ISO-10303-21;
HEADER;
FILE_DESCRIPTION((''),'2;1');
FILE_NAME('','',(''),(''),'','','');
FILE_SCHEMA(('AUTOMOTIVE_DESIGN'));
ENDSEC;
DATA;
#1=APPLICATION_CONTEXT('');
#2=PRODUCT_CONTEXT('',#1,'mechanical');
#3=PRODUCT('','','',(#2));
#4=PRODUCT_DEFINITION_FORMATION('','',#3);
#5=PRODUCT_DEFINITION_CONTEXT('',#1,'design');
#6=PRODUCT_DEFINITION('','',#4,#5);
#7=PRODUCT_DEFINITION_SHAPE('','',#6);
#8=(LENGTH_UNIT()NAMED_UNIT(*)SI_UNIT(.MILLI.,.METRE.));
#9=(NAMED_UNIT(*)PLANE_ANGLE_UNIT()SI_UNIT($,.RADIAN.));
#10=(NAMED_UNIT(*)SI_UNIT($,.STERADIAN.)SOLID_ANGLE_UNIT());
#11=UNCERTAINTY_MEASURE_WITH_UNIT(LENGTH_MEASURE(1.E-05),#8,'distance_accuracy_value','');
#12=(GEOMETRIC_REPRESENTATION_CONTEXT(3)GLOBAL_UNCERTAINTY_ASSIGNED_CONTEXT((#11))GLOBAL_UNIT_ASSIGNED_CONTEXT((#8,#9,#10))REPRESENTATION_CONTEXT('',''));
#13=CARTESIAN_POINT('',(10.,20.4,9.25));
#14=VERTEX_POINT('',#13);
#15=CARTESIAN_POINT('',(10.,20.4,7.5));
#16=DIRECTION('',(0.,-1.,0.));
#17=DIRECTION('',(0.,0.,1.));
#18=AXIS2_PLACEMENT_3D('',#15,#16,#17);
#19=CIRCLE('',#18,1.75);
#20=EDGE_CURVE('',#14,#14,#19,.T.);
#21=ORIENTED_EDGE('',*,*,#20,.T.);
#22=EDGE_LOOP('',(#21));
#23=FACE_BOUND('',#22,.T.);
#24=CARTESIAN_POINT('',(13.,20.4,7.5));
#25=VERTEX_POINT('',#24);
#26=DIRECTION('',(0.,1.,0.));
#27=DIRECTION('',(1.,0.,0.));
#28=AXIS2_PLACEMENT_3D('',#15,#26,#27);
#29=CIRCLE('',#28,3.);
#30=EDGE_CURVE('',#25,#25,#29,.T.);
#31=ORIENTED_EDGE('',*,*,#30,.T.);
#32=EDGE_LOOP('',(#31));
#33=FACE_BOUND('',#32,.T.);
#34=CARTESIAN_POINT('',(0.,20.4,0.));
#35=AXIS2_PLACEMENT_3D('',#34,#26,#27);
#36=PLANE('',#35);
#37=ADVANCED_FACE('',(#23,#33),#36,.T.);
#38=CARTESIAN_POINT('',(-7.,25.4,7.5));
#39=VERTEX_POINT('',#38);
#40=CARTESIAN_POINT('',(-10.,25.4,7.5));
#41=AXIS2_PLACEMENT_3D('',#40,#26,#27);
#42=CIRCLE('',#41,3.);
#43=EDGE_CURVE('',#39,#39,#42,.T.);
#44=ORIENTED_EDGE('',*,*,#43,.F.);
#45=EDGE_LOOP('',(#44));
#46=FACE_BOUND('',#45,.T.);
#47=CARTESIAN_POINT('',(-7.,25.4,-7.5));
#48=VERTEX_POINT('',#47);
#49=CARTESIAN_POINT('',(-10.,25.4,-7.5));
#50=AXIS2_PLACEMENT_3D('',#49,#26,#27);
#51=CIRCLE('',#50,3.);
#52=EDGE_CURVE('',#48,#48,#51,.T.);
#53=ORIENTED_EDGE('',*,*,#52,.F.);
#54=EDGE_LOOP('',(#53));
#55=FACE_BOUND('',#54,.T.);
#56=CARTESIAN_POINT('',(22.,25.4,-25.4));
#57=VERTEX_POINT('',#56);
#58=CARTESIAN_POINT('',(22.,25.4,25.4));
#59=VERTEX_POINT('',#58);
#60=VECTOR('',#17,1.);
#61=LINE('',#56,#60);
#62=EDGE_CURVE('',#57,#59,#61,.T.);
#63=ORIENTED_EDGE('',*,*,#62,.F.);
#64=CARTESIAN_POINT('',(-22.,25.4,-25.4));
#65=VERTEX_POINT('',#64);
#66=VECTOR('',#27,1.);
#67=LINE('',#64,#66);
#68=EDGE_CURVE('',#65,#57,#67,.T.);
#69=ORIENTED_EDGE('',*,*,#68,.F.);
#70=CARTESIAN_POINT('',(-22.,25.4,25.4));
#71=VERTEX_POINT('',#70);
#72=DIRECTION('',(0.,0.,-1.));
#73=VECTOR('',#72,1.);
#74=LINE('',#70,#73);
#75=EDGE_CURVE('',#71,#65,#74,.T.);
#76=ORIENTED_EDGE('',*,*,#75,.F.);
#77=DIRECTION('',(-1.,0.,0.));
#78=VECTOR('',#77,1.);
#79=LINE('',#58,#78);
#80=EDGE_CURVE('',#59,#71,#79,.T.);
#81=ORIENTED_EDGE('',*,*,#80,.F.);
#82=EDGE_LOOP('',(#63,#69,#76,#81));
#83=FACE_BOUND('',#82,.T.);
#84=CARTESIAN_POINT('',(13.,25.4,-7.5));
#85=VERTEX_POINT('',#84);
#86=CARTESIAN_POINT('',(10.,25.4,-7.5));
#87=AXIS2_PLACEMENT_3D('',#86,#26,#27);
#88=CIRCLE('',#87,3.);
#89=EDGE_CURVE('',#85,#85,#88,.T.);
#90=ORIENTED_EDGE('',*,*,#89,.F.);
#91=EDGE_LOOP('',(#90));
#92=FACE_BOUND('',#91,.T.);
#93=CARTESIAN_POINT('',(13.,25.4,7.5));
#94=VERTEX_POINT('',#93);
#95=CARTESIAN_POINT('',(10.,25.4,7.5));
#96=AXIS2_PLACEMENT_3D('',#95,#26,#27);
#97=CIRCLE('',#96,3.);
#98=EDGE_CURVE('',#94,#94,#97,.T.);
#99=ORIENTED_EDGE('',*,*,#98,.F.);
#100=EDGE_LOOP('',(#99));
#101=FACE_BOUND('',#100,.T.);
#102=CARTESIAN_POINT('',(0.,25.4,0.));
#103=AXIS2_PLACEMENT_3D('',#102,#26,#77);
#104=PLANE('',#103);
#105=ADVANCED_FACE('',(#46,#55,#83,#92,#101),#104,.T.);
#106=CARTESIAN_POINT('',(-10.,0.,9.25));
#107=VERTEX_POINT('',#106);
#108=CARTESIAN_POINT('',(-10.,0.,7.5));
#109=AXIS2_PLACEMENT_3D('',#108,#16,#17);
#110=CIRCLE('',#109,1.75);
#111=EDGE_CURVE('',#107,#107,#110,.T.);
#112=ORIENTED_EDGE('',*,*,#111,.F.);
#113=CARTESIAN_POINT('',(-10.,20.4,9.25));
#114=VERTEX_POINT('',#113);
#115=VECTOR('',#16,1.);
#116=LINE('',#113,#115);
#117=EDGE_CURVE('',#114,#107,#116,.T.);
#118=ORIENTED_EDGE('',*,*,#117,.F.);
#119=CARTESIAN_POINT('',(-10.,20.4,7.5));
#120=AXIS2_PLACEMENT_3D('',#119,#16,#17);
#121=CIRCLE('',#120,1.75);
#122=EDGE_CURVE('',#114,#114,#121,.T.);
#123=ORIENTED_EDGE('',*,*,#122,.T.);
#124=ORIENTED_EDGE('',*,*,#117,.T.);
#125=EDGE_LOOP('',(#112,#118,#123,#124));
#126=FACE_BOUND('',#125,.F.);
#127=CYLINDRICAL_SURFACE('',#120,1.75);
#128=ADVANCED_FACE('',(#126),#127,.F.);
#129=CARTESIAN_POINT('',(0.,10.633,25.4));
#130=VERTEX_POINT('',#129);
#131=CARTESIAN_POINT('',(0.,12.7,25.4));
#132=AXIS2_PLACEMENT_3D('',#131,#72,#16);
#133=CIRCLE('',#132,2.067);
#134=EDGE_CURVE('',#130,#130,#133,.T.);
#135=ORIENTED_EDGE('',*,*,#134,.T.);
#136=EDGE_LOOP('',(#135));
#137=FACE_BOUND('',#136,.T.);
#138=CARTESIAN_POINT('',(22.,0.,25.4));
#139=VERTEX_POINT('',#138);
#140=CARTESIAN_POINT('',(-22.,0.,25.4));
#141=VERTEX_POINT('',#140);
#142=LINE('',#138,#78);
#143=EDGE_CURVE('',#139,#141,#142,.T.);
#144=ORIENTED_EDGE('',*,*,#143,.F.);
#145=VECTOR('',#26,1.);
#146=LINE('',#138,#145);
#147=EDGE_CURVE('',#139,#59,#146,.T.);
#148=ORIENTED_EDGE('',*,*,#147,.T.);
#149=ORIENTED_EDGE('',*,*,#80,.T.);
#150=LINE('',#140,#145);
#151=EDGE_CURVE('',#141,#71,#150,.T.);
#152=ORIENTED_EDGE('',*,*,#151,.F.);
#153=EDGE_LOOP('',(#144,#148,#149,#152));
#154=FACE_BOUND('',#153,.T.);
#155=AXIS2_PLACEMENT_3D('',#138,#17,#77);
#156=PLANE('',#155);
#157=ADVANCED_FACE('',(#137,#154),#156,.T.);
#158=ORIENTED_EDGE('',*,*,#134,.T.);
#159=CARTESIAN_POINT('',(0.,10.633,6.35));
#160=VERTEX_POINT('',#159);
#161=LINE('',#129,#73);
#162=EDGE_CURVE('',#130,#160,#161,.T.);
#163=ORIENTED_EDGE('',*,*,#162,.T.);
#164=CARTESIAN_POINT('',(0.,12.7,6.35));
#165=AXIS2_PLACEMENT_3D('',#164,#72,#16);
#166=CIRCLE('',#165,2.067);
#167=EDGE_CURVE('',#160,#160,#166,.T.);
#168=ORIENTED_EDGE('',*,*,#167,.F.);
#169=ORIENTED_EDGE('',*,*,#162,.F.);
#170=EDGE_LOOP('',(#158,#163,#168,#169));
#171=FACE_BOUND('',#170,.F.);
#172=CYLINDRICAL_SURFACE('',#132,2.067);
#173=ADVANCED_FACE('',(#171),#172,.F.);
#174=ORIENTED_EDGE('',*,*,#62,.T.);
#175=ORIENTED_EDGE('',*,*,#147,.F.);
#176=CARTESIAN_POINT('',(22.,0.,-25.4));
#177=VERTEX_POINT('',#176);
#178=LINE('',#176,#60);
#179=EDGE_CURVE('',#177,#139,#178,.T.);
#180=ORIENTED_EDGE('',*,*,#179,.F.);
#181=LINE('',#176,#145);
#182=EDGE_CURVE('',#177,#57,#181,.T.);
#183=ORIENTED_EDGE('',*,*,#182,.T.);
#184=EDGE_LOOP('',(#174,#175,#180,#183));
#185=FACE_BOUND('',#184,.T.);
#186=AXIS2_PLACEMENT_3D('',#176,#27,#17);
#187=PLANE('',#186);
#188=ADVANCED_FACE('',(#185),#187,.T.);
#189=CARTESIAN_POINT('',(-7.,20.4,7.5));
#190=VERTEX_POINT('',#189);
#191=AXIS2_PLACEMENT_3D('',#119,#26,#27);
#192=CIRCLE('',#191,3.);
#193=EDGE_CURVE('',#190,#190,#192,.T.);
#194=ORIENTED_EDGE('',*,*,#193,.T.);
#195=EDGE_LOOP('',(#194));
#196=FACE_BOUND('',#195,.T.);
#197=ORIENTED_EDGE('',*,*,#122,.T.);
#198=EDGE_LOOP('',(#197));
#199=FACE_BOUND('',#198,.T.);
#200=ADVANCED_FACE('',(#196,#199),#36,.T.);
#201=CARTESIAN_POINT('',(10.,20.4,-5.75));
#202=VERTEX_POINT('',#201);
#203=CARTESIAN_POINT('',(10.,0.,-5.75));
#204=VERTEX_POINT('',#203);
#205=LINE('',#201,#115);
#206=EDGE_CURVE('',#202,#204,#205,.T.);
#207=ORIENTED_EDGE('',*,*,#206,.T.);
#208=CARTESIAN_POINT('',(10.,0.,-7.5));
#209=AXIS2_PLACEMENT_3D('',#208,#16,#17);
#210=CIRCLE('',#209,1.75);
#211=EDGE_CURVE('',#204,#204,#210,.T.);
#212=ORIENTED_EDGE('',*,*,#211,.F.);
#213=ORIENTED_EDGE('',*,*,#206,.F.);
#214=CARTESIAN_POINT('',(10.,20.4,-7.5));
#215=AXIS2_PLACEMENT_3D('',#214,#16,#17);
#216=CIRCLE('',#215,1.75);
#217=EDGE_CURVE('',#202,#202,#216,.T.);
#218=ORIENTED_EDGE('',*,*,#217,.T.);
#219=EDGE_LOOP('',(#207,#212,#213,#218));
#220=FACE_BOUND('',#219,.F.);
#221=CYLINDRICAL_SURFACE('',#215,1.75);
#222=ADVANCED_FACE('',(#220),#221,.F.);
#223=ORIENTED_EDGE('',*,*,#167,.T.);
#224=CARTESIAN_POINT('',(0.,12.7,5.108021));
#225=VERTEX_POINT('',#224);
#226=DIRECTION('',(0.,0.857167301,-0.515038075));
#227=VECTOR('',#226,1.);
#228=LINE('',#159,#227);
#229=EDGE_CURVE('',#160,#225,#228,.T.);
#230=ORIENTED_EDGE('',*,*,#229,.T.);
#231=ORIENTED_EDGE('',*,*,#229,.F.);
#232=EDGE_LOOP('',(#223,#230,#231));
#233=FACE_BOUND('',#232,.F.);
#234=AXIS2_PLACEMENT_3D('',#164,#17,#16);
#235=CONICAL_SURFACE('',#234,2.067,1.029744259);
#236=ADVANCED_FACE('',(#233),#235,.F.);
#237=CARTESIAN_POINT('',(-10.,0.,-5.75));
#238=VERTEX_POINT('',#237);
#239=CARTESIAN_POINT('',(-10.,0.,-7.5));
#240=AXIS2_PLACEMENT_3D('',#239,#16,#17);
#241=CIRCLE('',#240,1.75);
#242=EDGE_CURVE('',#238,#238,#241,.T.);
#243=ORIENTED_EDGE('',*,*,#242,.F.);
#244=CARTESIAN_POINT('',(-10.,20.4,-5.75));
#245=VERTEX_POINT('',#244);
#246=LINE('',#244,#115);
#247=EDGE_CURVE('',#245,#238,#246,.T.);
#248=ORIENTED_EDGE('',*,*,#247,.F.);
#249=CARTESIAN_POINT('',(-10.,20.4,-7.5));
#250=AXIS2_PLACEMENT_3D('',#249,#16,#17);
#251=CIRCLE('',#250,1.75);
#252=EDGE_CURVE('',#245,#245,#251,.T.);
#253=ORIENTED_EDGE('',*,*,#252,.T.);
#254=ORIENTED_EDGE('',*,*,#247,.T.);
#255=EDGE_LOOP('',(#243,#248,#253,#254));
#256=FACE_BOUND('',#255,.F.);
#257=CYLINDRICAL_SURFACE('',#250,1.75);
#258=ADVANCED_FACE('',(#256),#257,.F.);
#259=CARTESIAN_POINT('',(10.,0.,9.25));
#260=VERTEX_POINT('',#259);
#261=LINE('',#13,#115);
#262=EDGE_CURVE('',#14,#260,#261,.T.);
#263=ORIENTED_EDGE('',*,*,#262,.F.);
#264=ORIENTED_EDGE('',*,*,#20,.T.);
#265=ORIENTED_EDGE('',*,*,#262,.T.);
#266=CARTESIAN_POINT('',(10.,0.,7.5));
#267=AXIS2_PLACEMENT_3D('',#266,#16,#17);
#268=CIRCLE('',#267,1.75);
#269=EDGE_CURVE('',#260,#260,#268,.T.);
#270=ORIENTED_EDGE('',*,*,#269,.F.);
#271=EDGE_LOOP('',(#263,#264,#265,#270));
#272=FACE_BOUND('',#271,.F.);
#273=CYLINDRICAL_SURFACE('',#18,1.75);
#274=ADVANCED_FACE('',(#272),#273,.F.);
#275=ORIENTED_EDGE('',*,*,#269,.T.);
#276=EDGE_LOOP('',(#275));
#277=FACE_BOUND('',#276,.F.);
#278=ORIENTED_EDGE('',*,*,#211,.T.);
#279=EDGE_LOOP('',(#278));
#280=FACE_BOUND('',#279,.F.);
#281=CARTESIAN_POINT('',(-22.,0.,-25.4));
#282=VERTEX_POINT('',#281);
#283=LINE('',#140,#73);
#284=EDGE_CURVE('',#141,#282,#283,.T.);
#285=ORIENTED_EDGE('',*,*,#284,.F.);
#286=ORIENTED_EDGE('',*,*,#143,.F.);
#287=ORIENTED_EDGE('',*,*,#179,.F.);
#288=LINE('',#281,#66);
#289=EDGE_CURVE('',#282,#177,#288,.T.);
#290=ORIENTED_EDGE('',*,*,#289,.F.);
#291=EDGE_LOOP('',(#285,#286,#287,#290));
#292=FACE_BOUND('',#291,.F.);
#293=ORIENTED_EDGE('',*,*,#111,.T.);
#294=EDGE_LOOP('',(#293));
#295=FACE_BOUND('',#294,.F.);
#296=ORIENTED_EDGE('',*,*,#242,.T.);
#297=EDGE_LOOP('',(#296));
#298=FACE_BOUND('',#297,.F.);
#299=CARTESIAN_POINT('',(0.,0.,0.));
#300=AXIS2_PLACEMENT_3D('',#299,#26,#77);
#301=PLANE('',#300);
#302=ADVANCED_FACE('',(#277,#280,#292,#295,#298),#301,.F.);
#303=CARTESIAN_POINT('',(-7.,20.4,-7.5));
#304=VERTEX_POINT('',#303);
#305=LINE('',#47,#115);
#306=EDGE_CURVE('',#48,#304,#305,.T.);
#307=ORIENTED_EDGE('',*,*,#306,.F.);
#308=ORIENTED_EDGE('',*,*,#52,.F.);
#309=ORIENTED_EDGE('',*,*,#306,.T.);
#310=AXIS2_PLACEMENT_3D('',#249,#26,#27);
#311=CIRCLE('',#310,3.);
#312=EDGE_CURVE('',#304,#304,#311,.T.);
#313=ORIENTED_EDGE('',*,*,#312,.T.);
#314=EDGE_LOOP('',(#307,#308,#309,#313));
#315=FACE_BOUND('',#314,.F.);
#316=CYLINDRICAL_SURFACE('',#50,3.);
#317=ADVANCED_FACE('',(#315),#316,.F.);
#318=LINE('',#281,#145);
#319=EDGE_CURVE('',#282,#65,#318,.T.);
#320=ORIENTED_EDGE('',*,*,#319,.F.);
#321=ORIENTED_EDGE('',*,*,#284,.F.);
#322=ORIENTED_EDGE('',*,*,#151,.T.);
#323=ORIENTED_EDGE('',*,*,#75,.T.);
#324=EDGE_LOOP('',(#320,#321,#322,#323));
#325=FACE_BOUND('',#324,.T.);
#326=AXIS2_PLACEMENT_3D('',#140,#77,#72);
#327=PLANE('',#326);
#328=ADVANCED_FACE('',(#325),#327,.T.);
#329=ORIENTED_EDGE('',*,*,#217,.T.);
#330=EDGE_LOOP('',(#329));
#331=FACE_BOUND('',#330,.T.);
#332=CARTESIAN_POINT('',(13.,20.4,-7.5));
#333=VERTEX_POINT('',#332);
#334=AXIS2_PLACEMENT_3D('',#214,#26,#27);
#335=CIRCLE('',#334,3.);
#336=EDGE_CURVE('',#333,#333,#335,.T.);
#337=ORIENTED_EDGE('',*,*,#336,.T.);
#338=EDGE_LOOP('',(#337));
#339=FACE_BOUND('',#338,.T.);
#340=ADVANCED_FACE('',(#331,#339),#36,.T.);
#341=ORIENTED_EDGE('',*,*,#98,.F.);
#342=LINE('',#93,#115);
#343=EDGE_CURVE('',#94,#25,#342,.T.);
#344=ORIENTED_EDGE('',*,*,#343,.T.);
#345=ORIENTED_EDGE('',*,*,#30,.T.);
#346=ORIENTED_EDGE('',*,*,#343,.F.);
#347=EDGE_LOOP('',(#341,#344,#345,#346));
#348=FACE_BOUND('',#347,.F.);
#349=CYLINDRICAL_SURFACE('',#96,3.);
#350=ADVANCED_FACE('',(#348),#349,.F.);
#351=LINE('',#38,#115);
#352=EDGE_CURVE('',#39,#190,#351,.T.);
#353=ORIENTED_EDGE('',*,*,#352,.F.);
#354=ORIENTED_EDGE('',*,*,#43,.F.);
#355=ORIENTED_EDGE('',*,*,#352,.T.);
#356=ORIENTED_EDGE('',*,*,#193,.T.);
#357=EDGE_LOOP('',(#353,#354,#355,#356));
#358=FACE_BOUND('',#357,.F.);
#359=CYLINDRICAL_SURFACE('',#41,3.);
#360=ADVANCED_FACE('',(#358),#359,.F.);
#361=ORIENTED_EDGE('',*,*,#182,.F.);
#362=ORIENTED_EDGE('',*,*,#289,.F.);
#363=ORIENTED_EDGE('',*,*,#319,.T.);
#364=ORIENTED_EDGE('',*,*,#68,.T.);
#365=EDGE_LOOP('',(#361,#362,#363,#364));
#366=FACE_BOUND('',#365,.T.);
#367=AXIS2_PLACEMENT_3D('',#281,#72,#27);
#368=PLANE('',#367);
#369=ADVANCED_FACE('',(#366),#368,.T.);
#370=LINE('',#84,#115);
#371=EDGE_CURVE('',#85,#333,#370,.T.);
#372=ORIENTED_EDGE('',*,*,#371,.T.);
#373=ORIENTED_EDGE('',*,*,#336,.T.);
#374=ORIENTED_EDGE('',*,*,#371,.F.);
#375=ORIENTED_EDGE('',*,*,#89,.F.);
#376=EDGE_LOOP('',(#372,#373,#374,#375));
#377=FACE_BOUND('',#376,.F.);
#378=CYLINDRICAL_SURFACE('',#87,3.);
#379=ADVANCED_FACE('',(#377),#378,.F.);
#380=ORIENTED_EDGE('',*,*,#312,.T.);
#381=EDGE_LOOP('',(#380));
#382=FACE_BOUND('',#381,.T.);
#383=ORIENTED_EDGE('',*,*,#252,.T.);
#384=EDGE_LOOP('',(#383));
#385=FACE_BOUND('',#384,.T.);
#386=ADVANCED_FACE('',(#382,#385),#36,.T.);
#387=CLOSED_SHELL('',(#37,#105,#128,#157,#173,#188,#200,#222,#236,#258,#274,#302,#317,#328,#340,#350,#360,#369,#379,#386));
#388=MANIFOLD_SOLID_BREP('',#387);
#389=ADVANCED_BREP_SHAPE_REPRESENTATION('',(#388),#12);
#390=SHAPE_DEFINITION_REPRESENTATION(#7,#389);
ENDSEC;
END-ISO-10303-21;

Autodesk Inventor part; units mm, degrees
ref_plane "YZ Plane" through (0, 0, 0) normal (1, 0, 0) x (0, 1, 0)
ref_plane "XZ Plane" through (0, 0, 0) normal (0, 1, 0) x (-1, 0, 0)
ref_plane "XY Plane" through (0, 0, 0) normal (0, 0, 1) x (1, 0, 0)
sketch "Sketch2" plane through (0, 0, 0) normal (0, 1, 0) x (-1, 0, 0)
  line L0 (-22, 25.4) -> (22, 25.4)
  line L1 (22, 25.4) -> (22, -25.4)
  line L2 (22, -25.4) -> (-22, -25.4)
  line L3 (-22, -25.4) -> (-22, 25.4)
  line L4 (-22, 25.4) -> (22, -25.4) construction
  line L5 (22, 25.4) -> (-22, -25.4) construction
  point P0 (0, 0)
  dimension "d0" = 50.8
  dimension "d1" = 44
extrude "Extrusion1" add sketch "Sketch2" along normal blind 25.4
sketch "Sketch3" plane through (-22, 0, 25.4) normal (0, 0, 1) x (1, 0, 0)
  line L0 (0, 25.4) -> (44, 25.4) construction
  line L1 (0, 0) -> (44, 0) construction
  line L2 (44, 0) -> (44, 25.4) construction
  line L3 (44, 25.4) -> (0, 25.4) construction
  line L4 (0, 25.4) -> (0, 0) construction
  line L5 (0, 0) -> (44, 25.4) construction
  line L6 (44, 0) -> (0, 25.4) construction
  point P0 (22, 0)
  point P1 (22, 12.7)
hole "Hole1" at (0, 12.7, 25.4) direction (0, 0, -1) diameter 4.134 depth 19.05 tip angle 118 thread size "M5x0.8" class "6H" standard "ANSI Metric M Profile"
sketch "Sketch4" plane through (0, 25.4, 0) normal (0, 1, 0) x (1, 0, 0)
  line L0 (10, -7.5) -> (10, 7.5) construction
  line L1 (10, 7.5) -> (-10, 7.5) construction
  line L2 (-10, 7.5) -> (-10, -7.5) construction
  line L3 (-10, -7.5) -> (10, -7.5) construction
  line L4 (10, -7.5) -> (-10, 7.5) construction
  line L5 (10, 7.5) -> (-10, -7.5) construction
  circle A0 centre (-10, 7.5) radius 3
  circle A1 centre (10, 7.5) radius 3
  circle A2 centre (10, -7.5) radius 3
  circle A3 centre (-10, -7.5) radius 3
  point P0 (0, 0)
  dimension "d15" = 20
  dimension "d16" = 15
  dimension "d14" = 6
  dimension "d13" = 6
  dimension "d12" = 6
  dimension "d11" = 6
extrude "Extrusion2" cut sketch "Sketch4" against normal blind 5
sketch "Sketch5" plane through (-10, 20.4, 7.5) normal (0, 1, 0) x (1, 0, 0)
  circle A0 centre (0, 15) radius 3 projected
  circle A1 centre (20, 0) radius 3 projected
  circle A2 centre (20, 15) radius 3 projected
  point P0 (16, 18)
  point P1 (0, 0)
hole "Hole2" at (-10, 20.4, -7.5) at (-10, 20.4, 7.5) at (10, 20.4, 7.5) at (10, 20.4, -7.5) direction (0, -1, 0) diameter 3.5 end through all
properties part number "Mass 3" material "Steel, Mild"
